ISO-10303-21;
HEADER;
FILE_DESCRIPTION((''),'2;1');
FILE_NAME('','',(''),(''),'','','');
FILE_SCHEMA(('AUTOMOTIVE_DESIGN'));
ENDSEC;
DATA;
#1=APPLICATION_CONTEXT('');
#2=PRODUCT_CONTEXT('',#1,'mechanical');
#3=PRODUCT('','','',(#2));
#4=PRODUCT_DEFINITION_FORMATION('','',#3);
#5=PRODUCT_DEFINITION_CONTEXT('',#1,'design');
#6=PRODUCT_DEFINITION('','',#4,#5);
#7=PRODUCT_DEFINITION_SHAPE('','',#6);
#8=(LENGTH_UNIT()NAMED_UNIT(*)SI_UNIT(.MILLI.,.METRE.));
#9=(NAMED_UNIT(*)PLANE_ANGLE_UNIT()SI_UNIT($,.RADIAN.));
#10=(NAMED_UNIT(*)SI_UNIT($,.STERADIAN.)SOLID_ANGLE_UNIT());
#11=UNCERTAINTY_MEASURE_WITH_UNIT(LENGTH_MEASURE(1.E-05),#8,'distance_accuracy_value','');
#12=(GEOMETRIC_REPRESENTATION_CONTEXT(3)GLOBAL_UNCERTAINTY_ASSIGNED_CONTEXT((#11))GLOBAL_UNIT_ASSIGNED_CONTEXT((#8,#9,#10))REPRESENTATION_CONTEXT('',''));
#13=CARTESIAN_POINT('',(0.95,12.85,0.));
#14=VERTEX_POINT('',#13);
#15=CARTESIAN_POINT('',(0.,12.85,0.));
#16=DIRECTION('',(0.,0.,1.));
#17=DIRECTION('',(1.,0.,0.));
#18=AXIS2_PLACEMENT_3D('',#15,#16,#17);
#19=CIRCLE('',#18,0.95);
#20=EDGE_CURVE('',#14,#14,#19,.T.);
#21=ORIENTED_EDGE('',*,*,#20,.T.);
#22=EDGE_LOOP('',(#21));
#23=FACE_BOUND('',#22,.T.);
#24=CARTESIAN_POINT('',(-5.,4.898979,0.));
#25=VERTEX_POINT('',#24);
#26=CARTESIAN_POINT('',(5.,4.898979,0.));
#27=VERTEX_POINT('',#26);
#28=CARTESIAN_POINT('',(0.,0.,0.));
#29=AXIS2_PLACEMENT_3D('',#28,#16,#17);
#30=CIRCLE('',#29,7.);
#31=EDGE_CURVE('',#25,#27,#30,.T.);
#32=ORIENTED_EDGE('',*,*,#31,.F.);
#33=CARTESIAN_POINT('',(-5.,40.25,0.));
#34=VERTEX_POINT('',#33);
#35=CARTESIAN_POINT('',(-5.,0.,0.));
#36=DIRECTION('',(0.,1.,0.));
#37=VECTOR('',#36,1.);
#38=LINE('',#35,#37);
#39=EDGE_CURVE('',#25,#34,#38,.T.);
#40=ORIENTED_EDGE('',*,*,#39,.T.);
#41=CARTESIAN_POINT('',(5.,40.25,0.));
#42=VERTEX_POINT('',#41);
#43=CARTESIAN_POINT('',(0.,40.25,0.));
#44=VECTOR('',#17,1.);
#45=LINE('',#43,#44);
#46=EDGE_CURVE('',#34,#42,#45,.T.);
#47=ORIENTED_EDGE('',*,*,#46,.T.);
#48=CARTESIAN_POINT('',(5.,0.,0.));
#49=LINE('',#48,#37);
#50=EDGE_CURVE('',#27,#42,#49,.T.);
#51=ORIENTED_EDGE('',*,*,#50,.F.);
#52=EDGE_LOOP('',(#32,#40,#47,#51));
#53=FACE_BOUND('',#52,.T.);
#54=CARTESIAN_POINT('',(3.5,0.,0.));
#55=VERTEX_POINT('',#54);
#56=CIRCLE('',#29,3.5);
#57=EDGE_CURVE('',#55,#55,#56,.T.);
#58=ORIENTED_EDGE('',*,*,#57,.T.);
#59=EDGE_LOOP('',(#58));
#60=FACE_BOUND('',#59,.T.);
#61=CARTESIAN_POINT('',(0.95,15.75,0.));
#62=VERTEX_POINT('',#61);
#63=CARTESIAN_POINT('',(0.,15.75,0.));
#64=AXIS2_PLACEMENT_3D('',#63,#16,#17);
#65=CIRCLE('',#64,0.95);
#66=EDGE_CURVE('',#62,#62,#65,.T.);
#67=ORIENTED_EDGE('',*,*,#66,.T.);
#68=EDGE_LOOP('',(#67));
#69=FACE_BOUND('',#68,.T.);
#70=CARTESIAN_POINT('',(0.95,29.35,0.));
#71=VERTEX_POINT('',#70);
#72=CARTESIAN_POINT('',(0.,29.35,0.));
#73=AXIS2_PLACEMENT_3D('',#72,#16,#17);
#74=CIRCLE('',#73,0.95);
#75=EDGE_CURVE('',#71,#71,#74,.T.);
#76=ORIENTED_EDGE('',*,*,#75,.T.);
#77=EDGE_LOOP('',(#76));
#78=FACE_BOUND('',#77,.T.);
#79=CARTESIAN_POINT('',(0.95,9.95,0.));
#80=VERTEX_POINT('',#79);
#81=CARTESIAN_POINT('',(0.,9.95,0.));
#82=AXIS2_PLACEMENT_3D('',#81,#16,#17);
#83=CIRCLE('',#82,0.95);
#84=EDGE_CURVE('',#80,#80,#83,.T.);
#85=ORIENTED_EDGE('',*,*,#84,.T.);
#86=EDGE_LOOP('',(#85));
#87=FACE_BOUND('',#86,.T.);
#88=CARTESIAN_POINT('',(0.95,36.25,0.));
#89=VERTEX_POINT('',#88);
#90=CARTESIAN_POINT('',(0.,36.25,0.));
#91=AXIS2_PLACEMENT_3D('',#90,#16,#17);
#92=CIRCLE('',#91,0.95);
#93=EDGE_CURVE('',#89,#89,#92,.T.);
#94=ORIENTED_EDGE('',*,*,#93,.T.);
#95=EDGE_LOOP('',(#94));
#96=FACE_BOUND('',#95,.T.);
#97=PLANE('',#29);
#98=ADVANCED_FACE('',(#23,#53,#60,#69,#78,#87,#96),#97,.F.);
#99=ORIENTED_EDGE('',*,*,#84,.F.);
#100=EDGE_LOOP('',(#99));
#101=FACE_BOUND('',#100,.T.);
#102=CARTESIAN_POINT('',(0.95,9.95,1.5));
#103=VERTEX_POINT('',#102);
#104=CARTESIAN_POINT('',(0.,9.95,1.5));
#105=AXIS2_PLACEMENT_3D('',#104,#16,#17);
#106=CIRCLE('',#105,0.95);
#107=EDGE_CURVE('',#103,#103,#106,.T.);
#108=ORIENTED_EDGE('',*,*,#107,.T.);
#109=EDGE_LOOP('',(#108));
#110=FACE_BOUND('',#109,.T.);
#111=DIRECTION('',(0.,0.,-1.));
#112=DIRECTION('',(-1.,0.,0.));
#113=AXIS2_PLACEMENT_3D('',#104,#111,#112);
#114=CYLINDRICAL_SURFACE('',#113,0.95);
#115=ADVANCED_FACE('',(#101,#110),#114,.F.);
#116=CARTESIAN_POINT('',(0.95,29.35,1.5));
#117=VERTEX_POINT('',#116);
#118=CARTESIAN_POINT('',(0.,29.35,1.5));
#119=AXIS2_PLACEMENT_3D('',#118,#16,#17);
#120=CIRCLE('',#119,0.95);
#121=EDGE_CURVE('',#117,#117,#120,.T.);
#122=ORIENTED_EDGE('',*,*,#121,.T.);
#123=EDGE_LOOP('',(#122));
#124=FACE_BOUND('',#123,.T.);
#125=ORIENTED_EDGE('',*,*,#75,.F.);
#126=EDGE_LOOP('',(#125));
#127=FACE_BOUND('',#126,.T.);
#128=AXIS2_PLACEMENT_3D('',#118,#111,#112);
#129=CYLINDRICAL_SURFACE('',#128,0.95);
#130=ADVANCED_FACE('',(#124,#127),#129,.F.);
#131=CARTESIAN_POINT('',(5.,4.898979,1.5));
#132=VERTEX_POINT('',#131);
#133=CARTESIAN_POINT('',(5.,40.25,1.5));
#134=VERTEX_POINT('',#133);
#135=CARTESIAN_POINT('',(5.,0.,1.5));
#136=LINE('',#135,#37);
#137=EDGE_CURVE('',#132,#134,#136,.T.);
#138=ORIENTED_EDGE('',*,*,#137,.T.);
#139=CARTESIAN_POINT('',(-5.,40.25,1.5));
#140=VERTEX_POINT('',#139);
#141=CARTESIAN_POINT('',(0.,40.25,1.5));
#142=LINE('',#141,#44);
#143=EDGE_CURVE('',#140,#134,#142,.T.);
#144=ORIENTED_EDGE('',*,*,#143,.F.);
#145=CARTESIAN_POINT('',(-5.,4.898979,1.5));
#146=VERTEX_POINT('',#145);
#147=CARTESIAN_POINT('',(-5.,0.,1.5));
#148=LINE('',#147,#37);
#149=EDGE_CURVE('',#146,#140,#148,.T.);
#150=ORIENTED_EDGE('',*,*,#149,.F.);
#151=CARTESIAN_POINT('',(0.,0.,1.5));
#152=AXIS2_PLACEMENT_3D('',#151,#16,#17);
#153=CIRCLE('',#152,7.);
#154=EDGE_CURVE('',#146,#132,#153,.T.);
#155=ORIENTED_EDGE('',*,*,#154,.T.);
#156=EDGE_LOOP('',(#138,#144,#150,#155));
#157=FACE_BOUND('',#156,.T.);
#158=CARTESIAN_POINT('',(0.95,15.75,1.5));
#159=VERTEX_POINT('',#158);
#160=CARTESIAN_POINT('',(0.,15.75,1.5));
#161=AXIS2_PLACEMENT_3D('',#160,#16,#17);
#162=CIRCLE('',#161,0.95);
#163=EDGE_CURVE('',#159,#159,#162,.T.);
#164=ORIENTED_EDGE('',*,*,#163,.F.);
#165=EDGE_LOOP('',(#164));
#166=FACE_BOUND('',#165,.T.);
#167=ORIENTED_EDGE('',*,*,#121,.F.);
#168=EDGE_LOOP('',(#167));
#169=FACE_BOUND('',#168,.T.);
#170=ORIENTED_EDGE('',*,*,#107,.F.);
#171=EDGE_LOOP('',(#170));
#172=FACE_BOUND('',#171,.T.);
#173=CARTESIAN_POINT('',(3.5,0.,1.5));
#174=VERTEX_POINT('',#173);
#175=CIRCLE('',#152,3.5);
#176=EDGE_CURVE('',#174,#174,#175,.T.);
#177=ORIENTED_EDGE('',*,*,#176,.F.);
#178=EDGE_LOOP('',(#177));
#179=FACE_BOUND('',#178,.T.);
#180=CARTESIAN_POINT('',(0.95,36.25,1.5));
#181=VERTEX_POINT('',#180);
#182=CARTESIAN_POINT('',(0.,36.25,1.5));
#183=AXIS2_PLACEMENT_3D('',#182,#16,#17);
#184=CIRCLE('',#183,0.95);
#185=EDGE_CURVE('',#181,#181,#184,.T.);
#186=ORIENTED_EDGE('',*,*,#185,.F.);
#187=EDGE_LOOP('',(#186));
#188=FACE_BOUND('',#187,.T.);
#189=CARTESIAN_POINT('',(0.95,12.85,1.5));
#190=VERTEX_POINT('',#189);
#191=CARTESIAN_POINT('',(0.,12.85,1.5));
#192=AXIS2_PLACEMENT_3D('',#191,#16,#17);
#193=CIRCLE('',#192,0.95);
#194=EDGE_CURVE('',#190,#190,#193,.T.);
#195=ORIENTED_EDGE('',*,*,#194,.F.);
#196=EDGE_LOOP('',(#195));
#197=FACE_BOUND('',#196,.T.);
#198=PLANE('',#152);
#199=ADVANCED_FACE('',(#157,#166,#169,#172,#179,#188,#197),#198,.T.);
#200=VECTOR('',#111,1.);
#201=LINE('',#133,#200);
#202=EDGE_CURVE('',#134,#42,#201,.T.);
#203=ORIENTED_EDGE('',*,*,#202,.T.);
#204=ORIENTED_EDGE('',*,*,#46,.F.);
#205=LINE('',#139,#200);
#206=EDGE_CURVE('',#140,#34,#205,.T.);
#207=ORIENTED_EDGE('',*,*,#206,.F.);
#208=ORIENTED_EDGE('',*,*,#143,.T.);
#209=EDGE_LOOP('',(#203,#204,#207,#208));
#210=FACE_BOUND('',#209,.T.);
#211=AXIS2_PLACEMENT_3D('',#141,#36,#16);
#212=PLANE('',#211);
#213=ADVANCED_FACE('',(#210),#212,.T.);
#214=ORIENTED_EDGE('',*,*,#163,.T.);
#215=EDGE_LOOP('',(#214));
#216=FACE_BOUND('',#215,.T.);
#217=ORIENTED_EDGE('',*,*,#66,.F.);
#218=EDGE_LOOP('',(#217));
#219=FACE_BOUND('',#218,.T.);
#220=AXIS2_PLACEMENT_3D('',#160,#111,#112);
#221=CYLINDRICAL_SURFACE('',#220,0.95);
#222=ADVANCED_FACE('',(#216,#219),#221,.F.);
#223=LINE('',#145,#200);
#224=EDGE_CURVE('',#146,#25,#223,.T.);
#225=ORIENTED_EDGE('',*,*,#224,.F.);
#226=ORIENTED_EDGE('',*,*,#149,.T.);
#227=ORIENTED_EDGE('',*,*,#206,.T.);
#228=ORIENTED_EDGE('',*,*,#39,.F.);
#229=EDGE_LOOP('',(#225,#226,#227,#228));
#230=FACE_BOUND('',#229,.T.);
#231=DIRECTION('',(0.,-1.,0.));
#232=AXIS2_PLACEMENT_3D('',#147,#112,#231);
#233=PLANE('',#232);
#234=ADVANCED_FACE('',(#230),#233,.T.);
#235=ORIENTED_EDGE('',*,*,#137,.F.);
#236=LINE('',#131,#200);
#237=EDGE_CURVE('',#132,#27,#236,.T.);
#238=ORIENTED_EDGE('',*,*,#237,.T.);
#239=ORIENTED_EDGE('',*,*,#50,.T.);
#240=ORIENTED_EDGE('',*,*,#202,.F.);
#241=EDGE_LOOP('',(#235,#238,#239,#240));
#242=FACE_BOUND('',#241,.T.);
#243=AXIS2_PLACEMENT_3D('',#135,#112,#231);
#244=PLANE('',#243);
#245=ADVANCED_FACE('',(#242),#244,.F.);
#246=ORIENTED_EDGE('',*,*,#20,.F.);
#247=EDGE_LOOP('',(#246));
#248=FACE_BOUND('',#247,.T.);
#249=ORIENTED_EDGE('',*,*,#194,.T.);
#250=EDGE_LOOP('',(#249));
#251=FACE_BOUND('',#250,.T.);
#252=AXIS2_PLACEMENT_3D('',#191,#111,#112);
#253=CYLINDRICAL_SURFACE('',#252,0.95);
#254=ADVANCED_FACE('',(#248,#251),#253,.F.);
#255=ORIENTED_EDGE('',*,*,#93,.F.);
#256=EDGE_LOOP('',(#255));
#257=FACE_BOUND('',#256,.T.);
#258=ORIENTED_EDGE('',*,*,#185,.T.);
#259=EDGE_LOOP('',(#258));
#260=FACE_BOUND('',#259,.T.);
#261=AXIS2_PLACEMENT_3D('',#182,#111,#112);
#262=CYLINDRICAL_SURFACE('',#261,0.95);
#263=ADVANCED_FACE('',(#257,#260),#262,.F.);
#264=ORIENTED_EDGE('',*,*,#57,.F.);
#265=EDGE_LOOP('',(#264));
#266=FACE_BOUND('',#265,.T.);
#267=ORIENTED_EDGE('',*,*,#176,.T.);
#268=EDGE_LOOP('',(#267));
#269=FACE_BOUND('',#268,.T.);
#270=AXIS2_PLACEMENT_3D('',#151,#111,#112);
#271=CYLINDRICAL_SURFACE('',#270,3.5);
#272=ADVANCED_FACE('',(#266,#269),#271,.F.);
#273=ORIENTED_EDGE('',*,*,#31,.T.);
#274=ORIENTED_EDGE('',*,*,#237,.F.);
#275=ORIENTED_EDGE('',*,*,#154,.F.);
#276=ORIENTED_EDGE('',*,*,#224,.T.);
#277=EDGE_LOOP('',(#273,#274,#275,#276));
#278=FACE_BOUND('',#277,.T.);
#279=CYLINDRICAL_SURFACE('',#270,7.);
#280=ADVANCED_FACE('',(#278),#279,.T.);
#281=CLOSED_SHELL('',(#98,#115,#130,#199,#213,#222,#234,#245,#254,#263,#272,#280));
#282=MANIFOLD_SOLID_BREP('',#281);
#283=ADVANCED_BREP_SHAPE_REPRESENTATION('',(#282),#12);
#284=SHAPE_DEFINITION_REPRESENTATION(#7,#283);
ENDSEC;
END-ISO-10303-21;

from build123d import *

# Parameters (mm, degrees)
SKETCH_1_R      = 3.5
SKETCH_1_R_2    = 0.95
EXTRUDE_2_DEPTH = 1.5


with BuildPart() as part:
    # 草图1 → 凸台-拉伸2 (new body)
    with BuildSketch(Plane.XY):
        with BuildLine():
            ThreePointArc((-5, 4.898979486), (0, -7), (5, 4.898979486))
            Line((5, 4.898979486), (5, 40.25))
            Line((5, 40.25), (-5, 40.25))
            Line((-5, 40.25), (-5, 4.898979486))
        make_face()
        Circle(SKETCH_1_R, mode=Mode.SUBTRACT)
        with Locations((0, 36.25)):
            Circle(SKETCH_1_R_2, mode=Mode.SUBTRACT)
        with Locations((0, 9.95)):
            Circle(SKETCH_1_R_2, mode=Mode.SUBTRACT)
        with Locations((0, 12.85)):
            Circle(SKETCH_1_R_2, mode=Mode.SUBTRACT)
        with Locations((0, 15.75)):
            Circle(SKETCH_1_R_2, mode=Mode.SUBTRACT)
        with Locations((0, 29.35)):
            Circle(SKETCH_1_R_2, mode=Mode.SUBTRACT)
    extrude(amount=EXTRUDE_2_DEPTH)


solid = part.part
